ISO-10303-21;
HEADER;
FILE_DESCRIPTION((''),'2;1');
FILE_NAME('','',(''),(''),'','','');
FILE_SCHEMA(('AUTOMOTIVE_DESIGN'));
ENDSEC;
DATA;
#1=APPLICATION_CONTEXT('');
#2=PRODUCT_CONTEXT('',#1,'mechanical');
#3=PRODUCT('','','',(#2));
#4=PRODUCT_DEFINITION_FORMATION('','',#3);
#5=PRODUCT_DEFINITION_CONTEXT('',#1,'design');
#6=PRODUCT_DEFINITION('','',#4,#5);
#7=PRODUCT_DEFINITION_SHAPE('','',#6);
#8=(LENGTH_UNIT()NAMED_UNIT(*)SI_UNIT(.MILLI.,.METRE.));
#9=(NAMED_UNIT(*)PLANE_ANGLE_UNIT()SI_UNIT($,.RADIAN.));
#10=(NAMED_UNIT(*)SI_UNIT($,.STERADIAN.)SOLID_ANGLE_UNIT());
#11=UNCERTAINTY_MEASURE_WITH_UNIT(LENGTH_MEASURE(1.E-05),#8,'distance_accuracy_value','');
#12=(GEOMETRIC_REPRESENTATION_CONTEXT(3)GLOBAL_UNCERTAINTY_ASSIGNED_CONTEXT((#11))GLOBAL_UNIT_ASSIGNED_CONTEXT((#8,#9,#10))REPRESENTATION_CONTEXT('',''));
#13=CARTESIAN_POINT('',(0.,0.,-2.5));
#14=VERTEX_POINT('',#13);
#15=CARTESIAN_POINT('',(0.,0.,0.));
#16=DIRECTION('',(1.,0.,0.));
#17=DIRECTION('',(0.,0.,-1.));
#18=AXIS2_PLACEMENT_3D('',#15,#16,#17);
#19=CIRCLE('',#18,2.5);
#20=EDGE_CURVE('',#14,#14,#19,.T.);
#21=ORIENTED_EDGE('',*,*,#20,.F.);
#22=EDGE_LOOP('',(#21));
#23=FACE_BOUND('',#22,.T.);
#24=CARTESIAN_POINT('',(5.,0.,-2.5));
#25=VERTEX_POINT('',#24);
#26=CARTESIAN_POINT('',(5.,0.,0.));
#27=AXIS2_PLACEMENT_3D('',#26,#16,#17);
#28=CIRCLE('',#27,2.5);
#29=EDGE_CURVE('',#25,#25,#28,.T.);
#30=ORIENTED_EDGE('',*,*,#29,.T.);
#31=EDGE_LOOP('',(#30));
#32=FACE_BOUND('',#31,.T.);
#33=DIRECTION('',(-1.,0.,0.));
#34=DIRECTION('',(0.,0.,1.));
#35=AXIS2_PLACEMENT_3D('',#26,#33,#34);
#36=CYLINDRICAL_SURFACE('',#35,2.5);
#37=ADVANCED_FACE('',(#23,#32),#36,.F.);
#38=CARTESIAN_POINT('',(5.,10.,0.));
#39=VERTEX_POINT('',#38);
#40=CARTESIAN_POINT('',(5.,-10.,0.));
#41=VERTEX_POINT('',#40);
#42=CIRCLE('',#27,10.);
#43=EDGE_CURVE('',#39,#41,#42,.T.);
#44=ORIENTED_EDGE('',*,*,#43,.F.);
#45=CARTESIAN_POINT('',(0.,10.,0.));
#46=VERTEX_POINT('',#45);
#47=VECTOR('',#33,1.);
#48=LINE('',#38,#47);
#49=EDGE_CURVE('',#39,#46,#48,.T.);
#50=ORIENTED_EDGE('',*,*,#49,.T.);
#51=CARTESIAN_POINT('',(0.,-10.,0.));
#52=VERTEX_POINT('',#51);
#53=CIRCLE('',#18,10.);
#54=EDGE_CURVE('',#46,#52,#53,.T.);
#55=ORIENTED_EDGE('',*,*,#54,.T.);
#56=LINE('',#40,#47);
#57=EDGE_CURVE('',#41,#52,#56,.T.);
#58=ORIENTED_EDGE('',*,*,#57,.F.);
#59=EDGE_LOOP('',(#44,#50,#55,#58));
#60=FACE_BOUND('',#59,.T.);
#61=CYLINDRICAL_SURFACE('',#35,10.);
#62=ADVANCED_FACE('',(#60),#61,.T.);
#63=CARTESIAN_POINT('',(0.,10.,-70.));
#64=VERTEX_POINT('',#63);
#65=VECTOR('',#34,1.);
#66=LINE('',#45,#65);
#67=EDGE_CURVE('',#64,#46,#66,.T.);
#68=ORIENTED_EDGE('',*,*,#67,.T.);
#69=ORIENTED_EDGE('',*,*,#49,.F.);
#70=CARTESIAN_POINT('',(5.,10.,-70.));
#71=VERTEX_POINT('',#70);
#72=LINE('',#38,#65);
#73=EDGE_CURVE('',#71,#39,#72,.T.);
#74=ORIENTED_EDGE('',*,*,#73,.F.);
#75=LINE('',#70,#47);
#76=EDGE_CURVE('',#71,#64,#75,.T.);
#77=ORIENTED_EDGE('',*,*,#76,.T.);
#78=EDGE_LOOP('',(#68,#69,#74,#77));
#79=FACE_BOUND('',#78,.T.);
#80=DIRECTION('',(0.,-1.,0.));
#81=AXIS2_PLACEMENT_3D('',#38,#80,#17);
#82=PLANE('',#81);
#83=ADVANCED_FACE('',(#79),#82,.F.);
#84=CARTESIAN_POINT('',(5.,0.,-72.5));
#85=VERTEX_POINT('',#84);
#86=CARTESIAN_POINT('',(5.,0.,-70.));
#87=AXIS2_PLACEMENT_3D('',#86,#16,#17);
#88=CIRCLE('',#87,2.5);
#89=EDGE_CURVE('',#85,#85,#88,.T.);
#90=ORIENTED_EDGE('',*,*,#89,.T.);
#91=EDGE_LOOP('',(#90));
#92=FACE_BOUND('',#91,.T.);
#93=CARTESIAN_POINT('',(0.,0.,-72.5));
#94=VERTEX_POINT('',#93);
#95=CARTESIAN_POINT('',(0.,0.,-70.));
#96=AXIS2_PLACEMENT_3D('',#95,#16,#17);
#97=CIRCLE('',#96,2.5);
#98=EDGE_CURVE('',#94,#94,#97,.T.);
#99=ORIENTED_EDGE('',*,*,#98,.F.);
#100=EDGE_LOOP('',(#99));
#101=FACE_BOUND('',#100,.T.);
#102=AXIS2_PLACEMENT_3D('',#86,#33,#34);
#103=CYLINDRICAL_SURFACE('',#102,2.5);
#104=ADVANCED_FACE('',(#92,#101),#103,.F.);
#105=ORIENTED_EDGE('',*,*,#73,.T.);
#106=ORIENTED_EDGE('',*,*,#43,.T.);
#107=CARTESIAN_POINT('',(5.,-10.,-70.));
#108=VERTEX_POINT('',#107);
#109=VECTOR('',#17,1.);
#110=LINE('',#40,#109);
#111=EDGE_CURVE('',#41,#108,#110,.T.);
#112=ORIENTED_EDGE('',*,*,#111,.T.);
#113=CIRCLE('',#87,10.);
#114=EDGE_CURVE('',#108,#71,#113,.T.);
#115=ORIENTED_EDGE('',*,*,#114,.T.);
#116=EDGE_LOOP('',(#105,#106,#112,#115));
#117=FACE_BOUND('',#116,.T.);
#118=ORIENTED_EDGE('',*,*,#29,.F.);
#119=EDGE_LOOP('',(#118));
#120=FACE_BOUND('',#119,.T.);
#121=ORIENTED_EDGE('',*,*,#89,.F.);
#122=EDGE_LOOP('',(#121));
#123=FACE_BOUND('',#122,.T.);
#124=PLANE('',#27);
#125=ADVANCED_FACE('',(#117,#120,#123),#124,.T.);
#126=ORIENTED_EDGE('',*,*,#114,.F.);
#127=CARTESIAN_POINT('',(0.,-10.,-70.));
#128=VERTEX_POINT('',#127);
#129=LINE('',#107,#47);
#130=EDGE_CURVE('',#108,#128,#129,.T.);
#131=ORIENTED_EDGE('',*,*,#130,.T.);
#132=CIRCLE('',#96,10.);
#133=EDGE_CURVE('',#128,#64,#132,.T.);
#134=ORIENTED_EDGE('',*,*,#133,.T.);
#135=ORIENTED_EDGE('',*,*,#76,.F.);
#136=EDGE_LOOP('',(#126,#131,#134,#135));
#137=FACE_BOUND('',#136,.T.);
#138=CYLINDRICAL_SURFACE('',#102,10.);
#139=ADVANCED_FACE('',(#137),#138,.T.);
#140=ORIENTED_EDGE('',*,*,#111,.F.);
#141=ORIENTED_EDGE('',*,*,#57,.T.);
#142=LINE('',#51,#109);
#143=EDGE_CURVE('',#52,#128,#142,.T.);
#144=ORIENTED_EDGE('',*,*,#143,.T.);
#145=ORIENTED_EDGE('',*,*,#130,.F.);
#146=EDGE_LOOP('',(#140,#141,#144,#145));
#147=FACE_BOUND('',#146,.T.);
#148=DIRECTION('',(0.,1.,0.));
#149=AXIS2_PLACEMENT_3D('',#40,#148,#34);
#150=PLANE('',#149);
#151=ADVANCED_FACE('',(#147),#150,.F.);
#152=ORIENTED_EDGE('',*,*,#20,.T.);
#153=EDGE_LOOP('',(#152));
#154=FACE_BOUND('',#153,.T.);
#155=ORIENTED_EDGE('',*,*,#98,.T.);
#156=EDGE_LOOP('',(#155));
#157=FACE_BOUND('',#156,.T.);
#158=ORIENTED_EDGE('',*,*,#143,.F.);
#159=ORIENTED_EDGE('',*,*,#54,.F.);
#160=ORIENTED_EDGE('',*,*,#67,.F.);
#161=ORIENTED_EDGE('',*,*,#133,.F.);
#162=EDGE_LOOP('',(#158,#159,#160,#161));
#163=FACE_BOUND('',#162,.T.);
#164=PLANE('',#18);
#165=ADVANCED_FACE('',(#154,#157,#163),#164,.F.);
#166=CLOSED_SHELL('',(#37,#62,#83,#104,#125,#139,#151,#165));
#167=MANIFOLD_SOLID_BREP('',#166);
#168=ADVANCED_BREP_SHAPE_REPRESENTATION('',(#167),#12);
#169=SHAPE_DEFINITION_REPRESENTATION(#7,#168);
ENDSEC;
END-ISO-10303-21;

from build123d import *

# Parameters (mm, degrees)
SKETCH1_R           = 2.5
BOSS_EXTRUDE1_DEPTH = 5


with BuildPart() as part:
    # Sketch1 → Boss-Extrude1 (new body)
    with BuildSketch(Plane(origin=(0, 0, 0), x_dir=(0, 0, -1), z_dir=(1, 0, 0))):
        with BuildLine():
            Line((0, 10), (70, 10))
            ThreePointArc((70, 10), (80, 0), (70, -10))
            Line((70, -10), (0, -10))
            ThreePointArc((0, -10), (-10, 0), (0, 10))
        make_face()
        Circle(SKETCH1_R, mode=Mode.SUBTRACT)
        with Locations((70, 0)):
            Circle(SKETCH1_R, mode=Mode.SUBTRACT)
    extrude(amount=BOSS_EXTRUDE1_DEPTH)


solid = part.part
